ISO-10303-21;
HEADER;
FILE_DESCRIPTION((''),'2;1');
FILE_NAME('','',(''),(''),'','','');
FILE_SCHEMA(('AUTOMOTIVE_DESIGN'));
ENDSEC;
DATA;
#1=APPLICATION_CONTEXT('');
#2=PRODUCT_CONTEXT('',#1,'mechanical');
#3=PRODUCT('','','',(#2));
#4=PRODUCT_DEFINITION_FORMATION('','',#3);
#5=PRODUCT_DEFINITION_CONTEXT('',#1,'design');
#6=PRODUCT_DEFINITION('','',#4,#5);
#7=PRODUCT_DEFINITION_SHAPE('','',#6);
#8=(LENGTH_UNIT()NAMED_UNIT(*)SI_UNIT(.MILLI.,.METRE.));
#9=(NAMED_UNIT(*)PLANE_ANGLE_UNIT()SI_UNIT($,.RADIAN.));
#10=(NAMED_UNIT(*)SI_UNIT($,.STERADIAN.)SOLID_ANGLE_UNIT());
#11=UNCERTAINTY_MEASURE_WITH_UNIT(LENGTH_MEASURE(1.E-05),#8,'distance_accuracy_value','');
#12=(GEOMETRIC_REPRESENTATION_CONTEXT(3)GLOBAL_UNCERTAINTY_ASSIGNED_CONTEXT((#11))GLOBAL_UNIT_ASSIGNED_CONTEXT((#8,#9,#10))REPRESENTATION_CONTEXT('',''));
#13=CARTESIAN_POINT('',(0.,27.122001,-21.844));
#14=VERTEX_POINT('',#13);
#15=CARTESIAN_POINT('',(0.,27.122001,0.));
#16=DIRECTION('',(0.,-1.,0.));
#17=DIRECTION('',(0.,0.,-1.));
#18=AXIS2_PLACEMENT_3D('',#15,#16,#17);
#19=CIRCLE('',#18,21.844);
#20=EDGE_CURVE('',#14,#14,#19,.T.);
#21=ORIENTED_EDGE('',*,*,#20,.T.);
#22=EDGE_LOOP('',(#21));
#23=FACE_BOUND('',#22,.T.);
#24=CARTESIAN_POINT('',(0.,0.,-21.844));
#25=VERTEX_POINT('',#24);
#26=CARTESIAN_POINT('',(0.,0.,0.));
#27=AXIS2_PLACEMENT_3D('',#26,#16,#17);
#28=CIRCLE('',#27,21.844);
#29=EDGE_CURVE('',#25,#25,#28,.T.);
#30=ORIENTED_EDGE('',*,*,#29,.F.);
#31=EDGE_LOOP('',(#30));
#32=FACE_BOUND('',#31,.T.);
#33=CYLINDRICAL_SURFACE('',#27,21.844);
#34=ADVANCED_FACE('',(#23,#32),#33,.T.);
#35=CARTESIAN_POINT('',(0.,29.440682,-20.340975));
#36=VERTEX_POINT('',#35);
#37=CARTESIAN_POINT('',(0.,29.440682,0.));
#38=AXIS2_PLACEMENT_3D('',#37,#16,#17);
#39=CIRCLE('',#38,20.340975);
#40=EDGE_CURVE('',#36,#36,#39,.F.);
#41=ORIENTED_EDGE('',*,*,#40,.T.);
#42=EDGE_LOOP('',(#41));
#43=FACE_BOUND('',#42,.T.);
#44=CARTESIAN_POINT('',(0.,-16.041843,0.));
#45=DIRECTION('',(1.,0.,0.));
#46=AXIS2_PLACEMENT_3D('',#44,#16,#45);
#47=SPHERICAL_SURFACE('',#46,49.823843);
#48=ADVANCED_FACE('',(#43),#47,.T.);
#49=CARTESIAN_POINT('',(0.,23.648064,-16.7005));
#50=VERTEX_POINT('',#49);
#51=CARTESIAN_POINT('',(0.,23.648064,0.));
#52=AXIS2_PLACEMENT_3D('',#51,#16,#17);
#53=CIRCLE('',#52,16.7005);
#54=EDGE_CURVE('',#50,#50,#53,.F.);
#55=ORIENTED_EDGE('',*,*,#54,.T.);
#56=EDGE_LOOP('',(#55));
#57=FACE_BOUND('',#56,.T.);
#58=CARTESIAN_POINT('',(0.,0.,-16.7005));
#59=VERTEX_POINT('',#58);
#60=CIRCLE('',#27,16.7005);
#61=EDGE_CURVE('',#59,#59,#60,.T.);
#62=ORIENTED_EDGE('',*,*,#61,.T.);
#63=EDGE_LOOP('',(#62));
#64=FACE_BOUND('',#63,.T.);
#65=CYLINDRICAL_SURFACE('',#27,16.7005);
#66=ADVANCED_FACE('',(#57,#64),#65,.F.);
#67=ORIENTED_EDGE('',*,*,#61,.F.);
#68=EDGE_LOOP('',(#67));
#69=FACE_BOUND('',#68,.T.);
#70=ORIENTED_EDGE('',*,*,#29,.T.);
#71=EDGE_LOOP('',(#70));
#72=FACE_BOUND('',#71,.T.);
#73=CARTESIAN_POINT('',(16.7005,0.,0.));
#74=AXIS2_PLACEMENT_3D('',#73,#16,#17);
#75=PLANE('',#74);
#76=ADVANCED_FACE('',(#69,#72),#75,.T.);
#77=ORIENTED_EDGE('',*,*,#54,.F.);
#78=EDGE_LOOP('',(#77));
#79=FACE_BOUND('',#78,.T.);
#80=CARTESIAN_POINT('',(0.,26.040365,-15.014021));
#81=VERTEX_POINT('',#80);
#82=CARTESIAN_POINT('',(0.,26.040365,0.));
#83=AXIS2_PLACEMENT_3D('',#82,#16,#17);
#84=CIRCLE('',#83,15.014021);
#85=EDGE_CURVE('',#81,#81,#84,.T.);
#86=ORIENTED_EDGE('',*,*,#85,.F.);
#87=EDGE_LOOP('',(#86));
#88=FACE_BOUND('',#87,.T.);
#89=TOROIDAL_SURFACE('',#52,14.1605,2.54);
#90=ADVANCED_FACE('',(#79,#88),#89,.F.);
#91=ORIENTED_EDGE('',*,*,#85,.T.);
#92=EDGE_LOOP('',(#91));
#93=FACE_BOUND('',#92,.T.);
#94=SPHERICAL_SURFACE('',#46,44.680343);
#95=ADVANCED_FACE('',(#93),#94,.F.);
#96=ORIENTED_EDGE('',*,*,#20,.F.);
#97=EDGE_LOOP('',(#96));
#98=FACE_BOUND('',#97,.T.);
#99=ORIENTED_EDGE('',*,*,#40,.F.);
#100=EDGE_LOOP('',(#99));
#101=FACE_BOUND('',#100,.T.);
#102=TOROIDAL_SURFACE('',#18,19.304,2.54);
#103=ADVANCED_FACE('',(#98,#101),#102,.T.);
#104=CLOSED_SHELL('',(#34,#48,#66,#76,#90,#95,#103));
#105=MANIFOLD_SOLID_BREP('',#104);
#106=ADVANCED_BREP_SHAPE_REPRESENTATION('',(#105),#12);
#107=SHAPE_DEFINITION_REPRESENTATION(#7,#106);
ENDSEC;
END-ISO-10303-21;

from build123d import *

# Parameters (mm, degrees)
FILLET1_R = 2.54


with BuildPart() as part:
    # Sketch1 → Revolve1 (revolve)
    with BuildSketch(Plane.XY, mode=Mode.PRIVATE) as revolve1_sk:
        with BuildLine():
            Line((16.7005, 0), (21.844, 0))
            Line((21.844, 0), (21.844, 28.738230656))
            ThreePointArc((21.844, 28.738230656), (11.209370468, 32.504684634), (0, 33.782))
            Line((0, 33.782), (0, 28.6385))
            ThreePointArc((0, 28.6385), (8.505800705, 27.821403633), (16.7005, 25.4))
            Line((16.7005, 25.4), (16.7005, 0))
        make_face()
    revolve(revolve1_sk.sketch.rotate(Axis((0, 0, 0), (0, 1, 0)), 90), axis=Axis((0, 0, 0), (0, 1, 0)))

    # Fillet1
    fillet1_edges = [part.edges().sort_by_distance(p)[0] for p in [
        (0, 25.4, 16.7005),
        (0, 28.738230656, 21.844),
    ]]
    fillet(fillet1_edges, radius=FILLET1_R)


solid = part.part
